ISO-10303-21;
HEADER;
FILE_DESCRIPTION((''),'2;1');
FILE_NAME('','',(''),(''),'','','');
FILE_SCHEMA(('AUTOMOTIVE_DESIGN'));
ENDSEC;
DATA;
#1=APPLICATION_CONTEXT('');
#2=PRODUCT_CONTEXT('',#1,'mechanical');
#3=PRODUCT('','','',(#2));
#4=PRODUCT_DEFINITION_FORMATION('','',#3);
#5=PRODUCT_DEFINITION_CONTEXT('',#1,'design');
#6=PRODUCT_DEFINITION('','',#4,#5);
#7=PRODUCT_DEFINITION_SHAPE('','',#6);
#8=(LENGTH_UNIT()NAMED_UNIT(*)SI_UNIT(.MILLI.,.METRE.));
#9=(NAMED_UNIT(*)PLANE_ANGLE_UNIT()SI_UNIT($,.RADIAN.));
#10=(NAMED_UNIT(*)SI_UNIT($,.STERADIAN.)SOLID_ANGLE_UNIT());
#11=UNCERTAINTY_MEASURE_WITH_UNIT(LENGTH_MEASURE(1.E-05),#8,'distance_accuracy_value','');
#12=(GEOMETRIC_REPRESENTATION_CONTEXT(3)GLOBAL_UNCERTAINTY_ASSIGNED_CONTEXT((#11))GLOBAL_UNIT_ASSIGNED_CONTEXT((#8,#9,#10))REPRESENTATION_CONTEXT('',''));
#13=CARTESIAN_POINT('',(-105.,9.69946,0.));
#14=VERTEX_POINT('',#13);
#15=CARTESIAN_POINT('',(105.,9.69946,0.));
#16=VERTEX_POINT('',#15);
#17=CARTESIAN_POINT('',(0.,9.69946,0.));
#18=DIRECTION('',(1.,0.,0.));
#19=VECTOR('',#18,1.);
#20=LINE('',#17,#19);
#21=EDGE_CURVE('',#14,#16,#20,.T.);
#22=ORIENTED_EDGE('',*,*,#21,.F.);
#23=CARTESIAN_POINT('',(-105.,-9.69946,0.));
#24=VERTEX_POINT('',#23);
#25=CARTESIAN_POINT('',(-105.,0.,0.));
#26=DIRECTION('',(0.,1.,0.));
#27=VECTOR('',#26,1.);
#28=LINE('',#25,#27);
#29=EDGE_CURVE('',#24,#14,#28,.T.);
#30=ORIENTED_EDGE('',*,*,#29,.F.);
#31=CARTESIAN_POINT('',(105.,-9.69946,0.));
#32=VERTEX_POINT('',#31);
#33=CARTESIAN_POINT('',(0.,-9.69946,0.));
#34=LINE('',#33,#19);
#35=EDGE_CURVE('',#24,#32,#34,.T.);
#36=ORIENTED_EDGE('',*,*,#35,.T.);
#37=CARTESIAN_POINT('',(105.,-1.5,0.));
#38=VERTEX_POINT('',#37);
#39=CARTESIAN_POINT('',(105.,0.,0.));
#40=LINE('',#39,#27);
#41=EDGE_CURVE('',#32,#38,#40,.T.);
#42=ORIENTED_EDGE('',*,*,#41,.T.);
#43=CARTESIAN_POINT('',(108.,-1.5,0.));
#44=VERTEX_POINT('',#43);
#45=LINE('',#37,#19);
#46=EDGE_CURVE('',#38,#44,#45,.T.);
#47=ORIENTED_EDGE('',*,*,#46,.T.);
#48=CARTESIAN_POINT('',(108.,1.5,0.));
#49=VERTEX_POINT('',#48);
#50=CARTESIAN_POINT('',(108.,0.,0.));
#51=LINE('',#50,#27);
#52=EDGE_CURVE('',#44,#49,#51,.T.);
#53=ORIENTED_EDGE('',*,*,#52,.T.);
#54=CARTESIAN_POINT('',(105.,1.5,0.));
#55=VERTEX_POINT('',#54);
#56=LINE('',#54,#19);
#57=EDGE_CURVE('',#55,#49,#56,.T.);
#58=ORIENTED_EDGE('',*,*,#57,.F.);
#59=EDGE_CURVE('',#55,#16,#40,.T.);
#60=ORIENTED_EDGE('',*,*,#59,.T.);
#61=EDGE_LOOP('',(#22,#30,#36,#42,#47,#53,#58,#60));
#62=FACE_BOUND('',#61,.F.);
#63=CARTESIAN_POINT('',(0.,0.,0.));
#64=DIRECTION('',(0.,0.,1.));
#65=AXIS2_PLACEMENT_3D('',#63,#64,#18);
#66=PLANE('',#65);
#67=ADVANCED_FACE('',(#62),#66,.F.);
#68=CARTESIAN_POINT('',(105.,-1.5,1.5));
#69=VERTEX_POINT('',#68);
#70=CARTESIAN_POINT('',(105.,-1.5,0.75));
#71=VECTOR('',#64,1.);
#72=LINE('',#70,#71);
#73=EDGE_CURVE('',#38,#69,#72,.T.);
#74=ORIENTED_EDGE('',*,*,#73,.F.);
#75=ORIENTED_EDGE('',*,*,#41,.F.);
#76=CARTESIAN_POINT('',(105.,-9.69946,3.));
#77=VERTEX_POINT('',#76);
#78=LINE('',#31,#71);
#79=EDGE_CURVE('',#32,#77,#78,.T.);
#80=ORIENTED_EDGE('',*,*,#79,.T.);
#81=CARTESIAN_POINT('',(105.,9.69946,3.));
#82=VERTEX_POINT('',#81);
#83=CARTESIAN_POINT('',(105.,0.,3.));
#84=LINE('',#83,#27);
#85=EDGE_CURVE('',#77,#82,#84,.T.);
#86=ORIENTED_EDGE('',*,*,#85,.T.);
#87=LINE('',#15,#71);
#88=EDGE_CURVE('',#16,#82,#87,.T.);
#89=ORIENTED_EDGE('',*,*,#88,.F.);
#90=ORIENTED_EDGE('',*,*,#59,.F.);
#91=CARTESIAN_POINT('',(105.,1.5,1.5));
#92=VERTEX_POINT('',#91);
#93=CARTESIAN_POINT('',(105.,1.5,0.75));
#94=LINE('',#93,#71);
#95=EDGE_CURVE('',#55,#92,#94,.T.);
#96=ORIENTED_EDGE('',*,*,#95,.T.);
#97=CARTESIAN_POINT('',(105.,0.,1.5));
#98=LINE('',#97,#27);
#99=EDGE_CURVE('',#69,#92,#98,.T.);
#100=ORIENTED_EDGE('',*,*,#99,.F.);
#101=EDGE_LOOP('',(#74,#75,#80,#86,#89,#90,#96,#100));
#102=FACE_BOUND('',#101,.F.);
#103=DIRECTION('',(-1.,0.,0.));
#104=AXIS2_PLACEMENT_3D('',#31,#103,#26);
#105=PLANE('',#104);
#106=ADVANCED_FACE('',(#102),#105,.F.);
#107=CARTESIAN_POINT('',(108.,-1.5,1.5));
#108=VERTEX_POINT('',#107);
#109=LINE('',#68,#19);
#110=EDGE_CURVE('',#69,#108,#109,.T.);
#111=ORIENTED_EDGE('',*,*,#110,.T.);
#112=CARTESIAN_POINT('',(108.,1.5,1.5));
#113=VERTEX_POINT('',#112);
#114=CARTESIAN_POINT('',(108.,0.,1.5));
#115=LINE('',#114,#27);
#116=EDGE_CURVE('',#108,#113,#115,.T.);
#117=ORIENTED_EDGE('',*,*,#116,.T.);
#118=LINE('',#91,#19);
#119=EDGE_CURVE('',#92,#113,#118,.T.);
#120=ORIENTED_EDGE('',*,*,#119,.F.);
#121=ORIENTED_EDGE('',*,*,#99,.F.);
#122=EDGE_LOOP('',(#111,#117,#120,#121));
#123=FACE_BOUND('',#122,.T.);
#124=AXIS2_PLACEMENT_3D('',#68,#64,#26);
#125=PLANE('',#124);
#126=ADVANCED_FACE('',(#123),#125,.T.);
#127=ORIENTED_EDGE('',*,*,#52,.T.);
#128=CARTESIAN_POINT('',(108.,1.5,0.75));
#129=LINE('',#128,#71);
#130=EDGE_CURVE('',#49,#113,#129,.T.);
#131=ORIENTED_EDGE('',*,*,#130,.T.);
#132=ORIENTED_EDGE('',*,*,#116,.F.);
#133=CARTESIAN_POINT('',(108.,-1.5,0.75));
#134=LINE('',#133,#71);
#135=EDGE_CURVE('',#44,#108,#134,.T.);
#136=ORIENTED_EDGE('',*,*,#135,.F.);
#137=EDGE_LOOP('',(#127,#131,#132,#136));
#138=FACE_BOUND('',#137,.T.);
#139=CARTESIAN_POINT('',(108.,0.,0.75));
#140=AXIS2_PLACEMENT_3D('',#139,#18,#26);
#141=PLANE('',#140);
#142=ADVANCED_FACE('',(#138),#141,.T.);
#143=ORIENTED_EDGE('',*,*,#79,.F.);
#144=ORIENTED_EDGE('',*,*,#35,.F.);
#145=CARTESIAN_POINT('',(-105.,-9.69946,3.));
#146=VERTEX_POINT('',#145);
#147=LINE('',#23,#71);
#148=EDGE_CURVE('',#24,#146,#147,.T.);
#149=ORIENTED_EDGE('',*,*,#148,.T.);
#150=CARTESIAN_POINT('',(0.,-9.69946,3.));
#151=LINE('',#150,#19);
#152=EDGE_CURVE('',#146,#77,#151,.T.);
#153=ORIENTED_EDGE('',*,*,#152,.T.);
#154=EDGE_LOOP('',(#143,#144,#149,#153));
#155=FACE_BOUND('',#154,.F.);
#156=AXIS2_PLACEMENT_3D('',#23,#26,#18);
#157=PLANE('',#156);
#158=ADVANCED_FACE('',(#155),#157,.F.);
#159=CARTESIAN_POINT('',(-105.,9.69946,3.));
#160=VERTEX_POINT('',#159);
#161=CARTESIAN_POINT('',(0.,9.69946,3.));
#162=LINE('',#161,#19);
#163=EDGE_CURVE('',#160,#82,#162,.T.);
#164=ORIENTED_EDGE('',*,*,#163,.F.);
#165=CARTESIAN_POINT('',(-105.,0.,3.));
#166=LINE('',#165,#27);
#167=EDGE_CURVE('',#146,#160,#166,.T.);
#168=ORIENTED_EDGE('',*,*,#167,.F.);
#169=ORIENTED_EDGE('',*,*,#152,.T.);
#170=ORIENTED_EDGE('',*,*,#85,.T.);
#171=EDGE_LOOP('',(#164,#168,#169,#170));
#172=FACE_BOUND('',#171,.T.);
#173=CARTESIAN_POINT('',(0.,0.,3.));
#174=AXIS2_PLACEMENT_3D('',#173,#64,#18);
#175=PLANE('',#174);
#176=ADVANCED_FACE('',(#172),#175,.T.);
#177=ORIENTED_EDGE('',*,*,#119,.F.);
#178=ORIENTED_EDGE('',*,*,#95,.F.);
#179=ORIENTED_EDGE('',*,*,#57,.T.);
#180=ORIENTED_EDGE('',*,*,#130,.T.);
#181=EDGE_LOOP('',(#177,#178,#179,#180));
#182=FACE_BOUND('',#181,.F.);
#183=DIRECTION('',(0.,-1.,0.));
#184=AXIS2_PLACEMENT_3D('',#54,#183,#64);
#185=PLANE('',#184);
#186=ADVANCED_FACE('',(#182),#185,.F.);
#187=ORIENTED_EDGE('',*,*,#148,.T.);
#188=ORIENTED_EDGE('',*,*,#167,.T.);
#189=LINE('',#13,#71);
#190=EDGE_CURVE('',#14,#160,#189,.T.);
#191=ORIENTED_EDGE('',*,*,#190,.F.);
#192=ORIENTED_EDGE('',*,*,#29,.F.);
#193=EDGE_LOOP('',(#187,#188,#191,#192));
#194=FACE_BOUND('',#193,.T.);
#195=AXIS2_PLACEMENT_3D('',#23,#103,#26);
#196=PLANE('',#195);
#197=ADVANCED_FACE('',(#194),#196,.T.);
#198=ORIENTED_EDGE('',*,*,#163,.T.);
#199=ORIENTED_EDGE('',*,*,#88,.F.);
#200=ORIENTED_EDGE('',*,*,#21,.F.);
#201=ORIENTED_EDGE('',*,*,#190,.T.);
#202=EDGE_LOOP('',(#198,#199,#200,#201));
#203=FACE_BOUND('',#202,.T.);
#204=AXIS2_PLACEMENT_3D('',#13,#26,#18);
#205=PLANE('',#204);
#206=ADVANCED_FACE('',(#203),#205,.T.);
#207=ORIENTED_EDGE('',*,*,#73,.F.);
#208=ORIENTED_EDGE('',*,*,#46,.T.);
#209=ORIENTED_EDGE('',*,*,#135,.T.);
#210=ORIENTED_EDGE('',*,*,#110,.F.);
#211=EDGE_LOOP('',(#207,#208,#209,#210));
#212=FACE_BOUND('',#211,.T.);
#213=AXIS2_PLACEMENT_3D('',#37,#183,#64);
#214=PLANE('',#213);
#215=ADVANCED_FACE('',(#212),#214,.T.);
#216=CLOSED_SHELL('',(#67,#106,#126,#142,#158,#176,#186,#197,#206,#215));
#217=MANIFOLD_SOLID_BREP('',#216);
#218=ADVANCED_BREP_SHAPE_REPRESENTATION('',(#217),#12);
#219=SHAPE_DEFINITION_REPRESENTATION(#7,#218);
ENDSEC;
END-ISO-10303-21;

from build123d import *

# Parameters (mm, degrees)
F0_W     = 210
F0_H     = 19.39892
F1_DEPTH = 3
F2_W     = 3
F2_H     = 1.5
F3_DEPTH = 3


with BuildPart() as f1:
    # F0 (on Top) → F1 (new body)
    with BuildSketch(Plane.XY):
        Rectangle(F0_W, F0_H)
    extrude(amount=F1_DEPTH)

    # F2 (on face) → F3 (join)
    with BuildSketch(Plane.YZ.offset(105)):
        with Locations((0, 0.75)):
            Rectangle(F2_W, F2_H)
    extrude(amount=F3_DEPTH)


solid = f1.part
